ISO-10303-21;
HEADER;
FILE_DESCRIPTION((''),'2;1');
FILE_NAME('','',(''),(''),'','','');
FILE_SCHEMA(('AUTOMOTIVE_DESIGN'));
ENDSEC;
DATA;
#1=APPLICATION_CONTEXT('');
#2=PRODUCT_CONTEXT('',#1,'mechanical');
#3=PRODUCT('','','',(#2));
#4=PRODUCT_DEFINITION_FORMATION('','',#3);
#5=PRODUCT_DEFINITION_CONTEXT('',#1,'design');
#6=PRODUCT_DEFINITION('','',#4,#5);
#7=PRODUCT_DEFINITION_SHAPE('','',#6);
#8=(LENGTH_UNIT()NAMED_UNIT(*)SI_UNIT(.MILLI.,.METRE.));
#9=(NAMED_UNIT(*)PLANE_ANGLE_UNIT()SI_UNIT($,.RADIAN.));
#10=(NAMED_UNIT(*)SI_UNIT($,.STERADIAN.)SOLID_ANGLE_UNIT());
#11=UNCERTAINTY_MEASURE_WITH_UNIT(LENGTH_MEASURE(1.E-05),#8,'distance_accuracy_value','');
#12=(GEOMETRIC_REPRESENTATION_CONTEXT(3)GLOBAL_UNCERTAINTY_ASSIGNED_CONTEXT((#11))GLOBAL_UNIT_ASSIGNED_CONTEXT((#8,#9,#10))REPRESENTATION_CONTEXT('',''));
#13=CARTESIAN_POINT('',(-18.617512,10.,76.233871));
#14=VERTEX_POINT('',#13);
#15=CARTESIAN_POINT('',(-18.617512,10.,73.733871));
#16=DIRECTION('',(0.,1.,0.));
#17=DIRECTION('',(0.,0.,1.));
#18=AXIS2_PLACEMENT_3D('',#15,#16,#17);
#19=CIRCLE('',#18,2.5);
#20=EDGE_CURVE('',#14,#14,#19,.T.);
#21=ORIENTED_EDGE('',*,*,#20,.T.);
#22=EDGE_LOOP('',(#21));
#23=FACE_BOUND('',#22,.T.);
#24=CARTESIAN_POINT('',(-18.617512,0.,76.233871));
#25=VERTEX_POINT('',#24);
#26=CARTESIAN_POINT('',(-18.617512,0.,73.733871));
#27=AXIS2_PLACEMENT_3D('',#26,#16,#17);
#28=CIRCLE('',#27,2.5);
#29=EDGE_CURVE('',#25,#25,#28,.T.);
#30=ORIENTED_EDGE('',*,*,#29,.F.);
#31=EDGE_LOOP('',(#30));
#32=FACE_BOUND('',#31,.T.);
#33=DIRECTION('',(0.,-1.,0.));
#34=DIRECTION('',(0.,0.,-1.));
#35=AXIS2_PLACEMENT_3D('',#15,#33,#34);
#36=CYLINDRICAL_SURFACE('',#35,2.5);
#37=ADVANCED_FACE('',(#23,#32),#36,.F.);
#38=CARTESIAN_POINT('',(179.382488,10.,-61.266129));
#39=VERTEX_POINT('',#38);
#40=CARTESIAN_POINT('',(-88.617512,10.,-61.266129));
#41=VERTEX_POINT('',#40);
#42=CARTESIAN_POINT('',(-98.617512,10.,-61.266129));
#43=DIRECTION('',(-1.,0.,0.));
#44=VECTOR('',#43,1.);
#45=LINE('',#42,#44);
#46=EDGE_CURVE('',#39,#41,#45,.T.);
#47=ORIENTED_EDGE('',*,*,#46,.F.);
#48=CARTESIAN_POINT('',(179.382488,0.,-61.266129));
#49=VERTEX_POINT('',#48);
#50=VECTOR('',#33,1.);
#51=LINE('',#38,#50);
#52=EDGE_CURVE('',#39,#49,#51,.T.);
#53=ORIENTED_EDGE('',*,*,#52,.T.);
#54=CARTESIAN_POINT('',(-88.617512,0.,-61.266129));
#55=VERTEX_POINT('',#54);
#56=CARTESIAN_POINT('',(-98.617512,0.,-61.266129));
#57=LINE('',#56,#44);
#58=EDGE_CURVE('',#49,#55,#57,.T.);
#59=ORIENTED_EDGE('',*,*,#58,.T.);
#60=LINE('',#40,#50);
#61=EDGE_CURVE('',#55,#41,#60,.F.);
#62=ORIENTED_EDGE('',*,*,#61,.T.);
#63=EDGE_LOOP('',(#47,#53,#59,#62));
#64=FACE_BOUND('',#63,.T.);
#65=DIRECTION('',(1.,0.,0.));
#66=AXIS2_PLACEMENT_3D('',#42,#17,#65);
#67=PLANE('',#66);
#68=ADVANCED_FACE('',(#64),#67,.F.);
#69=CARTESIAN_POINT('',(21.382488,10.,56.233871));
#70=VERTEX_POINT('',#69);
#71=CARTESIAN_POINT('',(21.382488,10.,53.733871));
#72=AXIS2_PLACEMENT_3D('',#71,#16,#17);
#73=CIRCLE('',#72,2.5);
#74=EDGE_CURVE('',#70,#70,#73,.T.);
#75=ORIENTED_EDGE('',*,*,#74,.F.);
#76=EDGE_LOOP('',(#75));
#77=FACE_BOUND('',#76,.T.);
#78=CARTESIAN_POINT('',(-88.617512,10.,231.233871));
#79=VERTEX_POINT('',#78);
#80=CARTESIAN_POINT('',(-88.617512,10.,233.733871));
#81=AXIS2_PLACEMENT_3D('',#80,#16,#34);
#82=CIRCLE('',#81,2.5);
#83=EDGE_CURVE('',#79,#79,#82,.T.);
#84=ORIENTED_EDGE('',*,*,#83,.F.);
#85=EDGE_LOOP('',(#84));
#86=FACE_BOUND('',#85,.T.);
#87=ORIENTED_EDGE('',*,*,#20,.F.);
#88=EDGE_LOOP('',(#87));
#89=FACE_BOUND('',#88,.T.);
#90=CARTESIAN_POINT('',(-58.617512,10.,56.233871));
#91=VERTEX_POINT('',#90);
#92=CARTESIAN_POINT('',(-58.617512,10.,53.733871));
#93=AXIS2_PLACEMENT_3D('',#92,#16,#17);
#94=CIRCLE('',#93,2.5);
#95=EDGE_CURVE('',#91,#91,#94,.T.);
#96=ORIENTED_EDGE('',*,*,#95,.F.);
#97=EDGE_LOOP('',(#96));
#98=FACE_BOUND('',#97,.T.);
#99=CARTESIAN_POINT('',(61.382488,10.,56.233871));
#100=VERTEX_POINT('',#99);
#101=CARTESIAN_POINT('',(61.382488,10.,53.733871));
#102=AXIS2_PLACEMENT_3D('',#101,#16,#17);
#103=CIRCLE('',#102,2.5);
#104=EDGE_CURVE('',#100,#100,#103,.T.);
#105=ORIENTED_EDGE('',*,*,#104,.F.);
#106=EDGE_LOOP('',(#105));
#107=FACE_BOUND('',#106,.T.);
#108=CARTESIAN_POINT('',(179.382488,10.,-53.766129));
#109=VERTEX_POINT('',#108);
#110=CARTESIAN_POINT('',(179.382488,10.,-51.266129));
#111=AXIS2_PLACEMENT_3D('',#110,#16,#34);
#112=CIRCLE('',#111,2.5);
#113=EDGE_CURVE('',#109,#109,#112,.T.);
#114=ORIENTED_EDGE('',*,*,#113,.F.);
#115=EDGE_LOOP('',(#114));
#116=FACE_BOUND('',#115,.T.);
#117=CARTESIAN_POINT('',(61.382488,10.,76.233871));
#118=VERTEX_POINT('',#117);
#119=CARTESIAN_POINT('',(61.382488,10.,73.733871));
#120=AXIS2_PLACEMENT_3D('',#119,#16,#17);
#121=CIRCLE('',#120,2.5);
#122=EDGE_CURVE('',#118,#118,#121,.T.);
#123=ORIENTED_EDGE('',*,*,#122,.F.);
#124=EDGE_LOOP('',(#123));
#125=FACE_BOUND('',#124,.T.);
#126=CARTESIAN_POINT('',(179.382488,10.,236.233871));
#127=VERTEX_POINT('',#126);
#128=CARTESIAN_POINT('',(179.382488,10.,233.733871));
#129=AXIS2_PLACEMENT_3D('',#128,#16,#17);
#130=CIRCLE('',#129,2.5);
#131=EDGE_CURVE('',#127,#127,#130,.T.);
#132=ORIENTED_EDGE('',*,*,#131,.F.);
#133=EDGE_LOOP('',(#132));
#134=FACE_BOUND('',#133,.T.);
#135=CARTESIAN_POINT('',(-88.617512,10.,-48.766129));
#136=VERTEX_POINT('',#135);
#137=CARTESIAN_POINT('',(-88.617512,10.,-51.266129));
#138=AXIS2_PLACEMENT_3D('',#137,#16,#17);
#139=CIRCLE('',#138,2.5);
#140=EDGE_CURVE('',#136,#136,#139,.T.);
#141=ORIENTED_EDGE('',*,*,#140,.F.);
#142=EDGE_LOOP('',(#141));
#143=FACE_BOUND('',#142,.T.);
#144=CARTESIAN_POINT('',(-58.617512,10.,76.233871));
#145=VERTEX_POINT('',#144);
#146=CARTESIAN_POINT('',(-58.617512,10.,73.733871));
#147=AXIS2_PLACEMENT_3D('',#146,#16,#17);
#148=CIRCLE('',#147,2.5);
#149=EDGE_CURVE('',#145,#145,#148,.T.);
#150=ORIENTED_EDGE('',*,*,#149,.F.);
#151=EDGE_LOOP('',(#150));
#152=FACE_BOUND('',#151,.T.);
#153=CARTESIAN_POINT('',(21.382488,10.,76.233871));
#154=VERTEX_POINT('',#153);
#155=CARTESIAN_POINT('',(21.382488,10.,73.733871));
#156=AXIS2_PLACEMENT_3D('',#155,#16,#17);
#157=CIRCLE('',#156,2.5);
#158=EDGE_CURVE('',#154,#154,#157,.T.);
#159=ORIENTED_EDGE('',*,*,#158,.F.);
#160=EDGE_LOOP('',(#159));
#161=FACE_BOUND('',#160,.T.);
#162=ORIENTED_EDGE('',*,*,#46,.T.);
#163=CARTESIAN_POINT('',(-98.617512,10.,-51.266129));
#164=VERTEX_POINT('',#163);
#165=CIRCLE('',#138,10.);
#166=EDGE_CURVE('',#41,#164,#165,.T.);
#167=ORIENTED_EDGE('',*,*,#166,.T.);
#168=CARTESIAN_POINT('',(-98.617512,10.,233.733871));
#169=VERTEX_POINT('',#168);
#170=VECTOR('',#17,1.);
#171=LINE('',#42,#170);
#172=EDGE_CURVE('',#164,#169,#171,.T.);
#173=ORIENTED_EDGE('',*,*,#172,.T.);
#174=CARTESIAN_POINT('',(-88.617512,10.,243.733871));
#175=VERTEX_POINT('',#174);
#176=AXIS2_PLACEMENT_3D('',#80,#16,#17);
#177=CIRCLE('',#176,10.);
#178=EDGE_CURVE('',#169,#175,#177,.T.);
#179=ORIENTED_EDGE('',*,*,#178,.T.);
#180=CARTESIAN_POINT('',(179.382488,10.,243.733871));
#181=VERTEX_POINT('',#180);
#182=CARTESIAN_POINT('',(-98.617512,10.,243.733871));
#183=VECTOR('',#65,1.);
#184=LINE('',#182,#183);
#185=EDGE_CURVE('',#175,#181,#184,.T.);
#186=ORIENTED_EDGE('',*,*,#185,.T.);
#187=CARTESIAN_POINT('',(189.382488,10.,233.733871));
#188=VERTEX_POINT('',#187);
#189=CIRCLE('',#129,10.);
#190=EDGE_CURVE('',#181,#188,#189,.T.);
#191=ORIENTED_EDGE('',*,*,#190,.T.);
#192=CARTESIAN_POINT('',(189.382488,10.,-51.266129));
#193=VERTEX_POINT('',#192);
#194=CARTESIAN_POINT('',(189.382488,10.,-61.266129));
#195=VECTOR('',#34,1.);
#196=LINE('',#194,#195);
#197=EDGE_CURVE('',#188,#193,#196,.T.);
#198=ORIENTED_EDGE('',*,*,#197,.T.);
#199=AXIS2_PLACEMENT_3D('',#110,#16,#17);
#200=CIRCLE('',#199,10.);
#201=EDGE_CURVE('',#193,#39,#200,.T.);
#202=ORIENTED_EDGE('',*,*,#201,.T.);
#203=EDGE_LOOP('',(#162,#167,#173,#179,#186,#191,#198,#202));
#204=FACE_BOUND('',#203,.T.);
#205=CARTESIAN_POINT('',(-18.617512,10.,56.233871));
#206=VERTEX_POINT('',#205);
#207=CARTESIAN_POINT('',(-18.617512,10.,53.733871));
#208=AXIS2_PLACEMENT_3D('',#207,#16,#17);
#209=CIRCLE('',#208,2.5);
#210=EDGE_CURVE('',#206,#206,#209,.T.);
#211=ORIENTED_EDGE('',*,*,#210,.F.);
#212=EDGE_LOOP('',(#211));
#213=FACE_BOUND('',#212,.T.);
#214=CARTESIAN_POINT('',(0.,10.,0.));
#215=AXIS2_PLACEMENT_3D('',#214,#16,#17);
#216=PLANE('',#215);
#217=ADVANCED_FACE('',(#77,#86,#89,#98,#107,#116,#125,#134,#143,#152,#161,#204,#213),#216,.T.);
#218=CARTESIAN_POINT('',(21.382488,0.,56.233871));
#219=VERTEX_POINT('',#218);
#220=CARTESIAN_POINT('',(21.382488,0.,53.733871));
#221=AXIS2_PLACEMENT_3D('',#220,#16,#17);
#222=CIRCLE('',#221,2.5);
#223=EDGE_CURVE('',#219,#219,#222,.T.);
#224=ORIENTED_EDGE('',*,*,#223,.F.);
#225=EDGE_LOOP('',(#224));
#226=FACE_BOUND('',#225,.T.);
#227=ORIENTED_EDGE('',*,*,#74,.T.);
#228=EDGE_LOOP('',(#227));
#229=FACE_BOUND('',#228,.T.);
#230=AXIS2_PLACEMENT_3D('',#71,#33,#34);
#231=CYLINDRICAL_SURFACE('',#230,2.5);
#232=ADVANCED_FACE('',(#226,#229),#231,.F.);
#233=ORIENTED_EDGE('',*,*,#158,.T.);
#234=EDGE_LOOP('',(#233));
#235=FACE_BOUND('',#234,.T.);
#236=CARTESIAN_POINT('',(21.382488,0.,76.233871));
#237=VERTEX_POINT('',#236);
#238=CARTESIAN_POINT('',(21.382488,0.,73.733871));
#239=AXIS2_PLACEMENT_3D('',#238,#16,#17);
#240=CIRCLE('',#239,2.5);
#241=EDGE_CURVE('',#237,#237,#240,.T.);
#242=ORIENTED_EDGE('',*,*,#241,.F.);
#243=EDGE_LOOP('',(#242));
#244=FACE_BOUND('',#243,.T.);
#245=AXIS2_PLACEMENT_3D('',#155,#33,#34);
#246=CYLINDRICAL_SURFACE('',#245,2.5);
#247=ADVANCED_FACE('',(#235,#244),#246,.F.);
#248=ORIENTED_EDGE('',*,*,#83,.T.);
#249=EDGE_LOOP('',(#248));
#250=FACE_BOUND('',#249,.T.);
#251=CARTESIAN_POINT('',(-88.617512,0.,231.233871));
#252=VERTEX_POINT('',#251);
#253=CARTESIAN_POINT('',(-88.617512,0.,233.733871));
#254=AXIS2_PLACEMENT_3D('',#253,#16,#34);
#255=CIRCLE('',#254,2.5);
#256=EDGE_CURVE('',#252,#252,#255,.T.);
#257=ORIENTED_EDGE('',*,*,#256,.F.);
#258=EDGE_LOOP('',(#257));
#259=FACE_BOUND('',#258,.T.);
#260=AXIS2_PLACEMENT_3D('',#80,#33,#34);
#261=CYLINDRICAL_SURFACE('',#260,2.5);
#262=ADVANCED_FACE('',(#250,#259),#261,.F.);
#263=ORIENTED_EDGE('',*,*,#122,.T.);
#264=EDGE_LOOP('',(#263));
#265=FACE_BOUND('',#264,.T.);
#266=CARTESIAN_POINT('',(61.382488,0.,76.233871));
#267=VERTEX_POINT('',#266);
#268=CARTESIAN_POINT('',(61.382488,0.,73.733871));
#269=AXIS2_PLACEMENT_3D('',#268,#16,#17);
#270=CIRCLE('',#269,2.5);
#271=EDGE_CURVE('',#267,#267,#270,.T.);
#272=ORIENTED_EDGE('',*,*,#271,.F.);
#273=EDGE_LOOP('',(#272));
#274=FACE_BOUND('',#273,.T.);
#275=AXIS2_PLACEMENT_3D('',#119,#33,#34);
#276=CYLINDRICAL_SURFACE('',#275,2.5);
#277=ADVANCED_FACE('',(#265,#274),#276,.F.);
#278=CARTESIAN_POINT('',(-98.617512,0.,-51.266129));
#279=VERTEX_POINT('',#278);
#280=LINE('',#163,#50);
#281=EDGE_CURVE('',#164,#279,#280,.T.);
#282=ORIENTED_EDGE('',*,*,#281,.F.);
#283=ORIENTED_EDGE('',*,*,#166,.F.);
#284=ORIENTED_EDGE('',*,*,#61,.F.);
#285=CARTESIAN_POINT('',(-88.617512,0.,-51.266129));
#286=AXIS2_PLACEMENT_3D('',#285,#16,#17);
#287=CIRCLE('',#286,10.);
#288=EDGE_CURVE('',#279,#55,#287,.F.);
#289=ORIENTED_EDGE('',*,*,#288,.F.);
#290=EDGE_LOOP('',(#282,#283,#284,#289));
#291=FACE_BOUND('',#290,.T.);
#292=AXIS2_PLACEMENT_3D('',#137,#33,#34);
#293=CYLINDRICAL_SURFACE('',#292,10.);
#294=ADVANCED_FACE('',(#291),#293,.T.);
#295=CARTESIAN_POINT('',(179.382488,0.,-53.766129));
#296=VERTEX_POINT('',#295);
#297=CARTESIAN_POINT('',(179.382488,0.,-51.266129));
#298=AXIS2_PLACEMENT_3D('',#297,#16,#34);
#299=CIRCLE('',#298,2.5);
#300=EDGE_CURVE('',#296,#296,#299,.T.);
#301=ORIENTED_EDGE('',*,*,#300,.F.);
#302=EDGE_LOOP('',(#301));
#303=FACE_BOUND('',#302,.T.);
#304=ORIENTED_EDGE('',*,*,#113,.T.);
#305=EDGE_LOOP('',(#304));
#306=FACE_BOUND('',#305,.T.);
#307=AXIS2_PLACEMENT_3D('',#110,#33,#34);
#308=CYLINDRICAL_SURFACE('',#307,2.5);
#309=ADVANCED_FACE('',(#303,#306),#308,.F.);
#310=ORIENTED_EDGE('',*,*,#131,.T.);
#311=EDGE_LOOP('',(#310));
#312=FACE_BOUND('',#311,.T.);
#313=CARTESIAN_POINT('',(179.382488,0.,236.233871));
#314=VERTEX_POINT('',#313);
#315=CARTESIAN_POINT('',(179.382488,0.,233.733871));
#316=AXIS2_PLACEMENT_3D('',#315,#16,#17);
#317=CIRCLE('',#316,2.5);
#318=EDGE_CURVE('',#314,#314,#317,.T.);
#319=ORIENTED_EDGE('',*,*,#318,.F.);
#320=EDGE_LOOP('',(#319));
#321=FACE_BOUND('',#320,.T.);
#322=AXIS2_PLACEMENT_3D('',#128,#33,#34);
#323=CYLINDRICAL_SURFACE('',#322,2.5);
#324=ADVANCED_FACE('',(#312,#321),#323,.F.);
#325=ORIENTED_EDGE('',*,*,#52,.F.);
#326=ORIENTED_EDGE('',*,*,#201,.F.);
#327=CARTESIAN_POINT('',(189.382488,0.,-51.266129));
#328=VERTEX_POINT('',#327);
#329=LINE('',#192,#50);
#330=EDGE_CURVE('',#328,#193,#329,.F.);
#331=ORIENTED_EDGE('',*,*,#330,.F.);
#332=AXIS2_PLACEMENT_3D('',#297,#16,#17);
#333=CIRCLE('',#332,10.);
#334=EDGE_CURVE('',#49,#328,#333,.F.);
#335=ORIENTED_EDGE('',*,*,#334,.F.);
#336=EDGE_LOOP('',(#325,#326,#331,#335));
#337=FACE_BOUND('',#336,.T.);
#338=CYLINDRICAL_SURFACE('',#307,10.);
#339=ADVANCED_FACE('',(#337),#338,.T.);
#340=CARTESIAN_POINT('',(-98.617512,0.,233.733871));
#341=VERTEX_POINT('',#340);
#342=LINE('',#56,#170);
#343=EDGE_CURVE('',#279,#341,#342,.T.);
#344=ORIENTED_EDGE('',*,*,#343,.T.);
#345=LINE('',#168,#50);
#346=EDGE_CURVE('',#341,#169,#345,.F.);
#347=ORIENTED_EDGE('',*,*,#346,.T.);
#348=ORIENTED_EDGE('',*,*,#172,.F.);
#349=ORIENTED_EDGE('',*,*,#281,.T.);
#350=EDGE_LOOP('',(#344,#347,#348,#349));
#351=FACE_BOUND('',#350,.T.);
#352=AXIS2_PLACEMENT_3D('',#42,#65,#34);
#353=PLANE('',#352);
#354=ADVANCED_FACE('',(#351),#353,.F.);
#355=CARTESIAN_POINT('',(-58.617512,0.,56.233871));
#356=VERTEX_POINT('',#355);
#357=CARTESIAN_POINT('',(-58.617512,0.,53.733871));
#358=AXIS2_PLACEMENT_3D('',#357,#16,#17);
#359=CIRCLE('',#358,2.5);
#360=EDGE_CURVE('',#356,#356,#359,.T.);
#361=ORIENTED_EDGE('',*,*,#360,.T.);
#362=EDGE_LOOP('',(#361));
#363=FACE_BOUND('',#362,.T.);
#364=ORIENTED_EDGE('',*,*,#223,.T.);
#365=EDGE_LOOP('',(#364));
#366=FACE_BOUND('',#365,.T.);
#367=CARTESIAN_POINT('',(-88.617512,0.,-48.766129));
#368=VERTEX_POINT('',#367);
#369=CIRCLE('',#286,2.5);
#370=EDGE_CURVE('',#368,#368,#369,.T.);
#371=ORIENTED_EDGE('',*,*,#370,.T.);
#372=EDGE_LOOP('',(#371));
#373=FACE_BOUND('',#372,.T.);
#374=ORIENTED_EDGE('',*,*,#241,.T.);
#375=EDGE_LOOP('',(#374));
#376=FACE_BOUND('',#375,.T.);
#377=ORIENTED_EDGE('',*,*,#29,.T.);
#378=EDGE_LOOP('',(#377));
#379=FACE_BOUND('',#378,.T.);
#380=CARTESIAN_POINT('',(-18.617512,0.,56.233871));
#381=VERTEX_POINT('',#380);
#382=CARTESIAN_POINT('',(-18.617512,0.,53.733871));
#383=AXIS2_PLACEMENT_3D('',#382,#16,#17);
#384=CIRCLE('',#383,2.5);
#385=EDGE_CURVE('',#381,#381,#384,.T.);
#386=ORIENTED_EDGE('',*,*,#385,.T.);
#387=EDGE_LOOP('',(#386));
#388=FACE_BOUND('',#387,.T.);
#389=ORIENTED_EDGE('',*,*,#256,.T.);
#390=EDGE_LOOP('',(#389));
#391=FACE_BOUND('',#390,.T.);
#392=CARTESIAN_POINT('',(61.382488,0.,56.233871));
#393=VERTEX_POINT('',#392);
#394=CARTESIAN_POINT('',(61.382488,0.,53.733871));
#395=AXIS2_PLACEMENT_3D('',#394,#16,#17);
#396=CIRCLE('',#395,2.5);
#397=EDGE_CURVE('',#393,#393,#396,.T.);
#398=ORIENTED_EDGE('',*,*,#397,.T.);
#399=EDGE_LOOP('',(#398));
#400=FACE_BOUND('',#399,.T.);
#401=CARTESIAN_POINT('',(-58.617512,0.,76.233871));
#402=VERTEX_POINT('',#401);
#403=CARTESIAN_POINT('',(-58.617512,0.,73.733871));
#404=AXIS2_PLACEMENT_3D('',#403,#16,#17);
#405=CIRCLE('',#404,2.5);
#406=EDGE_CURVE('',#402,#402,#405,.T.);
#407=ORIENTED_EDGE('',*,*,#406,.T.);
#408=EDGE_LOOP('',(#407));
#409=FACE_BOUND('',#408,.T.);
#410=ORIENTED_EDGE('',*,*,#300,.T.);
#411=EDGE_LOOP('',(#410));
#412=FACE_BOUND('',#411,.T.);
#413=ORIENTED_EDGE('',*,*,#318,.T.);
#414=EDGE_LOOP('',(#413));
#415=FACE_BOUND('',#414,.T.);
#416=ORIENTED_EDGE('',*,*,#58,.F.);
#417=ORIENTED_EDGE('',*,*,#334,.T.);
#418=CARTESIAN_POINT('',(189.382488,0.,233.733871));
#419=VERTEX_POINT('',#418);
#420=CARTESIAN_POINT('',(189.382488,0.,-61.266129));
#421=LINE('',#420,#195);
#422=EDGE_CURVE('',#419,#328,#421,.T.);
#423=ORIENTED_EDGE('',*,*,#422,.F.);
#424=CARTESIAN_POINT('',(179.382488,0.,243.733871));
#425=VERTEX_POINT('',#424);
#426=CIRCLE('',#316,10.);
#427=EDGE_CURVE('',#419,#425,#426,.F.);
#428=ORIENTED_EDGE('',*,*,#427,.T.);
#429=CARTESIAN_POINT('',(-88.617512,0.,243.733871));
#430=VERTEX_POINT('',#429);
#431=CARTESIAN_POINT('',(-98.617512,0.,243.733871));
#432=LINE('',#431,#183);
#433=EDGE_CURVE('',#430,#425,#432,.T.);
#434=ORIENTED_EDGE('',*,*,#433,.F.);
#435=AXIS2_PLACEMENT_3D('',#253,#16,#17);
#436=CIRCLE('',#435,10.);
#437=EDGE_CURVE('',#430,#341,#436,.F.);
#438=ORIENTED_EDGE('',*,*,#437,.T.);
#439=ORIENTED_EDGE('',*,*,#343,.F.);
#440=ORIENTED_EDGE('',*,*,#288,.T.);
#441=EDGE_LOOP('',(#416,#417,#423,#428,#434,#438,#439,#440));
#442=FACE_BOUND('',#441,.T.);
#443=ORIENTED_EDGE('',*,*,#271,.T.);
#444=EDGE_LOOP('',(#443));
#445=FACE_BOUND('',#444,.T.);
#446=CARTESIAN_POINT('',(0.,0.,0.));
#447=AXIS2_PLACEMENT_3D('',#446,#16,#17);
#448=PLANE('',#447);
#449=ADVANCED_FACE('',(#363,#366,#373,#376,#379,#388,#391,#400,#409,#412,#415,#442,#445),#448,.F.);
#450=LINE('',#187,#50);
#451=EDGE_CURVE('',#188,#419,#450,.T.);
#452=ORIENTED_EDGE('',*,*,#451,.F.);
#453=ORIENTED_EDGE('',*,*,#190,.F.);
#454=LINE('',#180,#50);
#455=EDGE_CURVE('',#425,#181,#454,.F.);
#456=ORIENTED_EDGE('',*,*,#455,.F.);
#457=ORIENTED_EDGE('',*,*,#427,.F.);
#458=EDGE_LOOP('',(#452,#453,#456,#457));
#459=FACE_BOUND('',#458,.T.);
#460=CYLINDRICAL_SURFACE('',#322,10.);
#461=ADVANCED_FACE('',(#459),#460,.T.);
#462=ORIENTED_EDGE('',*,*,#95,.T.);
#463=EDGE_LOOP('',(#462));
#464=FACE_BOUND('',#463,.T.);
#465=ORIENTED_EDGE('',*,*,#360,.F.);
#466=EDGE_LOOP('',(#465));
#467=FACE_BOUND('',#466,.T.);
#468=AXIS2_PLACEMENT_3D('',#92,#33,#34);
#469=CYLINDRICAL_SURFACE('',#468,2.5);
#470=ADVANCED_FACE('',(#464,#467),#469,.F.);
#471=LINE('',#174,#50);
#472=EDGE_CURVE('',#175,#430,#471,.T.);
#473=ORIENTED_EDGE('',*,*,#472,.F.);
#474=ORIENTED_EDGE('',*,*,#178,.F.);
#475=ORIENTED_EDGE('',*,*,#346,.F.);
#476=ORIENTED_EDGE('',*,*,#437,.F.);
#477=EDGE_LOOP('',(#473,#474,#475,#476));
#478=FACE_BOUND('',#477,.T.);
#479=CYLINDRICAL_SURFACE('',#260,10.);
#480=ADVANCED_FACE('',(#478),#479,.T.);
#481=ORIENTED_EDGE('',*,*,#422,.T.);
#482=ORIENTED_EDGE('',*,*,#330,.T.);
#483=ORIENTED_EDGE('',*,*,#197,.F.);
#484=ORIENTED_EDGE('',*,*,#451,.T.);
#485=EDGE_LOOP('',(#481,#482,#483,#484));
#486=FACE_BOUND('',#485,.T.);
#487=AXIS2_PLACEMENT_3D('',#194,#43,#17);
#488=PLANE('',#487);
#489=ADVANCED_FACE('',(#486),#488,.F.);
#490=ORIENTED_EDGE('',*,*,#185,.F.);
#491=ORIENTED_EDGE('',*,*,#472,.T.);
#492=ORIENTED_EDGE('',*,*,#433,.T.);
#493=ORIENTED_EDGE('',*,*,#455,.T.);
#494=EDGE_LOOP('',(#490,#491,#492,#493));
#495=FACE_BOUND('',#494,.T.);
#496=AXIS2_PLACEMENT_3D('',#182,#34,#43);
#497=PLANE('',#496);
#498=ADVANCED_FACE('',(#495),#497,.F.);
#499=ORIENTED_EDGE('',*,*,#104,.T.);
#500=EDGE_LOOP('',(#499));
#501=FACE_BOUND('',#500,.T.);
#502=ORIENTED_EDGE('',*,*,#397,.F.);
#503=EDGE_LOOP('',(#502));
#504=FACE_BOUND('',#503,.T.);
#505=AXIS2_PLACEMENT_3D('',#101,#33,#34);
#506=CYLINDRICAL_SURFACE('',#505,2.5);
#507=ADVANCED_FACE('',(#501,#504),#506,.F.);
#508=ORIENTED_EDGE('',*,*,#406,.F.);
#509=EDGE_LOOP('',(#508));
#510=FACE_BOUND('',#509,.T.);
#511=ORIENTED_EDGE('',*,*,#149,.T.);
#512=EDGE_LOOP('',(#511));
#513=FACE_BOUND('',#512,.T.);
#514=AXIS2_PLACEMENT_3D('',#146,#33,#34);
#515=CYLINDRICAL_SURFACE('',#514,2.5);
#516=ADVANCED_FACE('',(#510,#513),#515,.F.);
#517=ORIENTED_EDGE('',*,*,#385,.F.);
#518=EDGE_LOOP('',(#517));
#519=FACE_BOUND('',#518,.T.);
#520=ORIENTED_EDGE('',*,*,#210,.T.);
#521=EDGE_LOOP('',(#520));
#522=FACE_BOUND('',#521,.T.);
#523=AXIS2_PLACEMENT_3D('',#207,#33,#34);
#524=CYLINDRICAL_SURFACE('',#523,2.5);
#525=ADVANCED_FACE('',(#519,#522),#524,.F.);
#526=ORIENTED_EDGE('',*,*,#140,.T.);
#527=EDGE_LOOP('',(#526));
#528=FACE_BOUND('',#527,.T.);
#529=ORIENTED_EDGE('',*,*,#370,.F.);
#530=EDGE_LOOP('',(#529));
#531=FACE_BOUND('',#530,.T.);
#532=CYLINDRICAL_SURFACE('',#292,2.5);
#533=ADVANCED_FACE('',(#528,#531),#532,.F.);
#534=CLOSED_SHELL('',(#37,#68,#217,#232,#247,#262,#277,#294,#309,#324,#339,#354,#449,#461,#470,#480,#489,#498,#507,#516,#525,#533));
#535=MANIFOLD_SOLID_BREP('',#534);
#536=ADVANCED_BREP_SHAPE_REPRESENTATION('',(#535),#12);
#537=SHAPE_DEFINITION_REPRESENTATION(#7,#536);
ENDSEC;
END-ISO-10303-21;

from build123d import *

# Parameters (mm, degrees)
SKETCH1_W           = 288
SKETCH1_H           = 305
SKETCH1_R           = 2.5
BOSS_EXTRUDE1_DEPTH = 10
FILLET1_R           = 10


with BuildPart() as part:
    # Sketch1 → Boss-Extrude1 (new body)
    with BuildSketch(Plane(origin=(0, 0, 0), x_dir=(1, 0, 0), z_dir=(0, 1, 0))):
        with Locations((45.382488479, -91.233870968)):
            Rectangle(SKETCH1_W, SKETCH1_H)
        with Locations(Location((-58.617511521, -53.733870968, 0), (0, 0, 270))):
            Circle(SKETCH1_R, mode=Mode.SUBTRACT)
        with Locations(Location((-18.617511521, -53.733870968, 0), (0, 0, 270))):
            Circle(SKETCH1_R, mode=Mode.SUBTRACT)
        with Locations(Location((21.382488479, -53.733870968, 0), (0, 0, 270))):
            Circle(SKETCH1_R, mode=Mode.SUBTRACT)
        with Locations(Location((61.382488479, -53.733870968, 0), (0, 0, 270))):
            Circle(SKETCH1_R, mode=Mode.SUBTRACT)
        with Locations(Location((-18.617511521, -73.733870968, 0), (0, 0, 270))):
            Circle(SKETCH1_R, mode=Mode.SUBTRACT)
        with Locations(Location((21.382488479, -73.733870968, 0), (0, 0, 270))):
            Circle(SKETCH1_R, mode=Mode.SUBTRACT)
        with Locations(Location((61.382488479, -73.733870968, 0), (0, 0, 270))):
            Circle(SKETCH1_R, mode=Mode.SUBTRACT)
        with Locations(Location((-58.617511521, -73.733870968, 0), (0, 0, 270))):
            Circle(SKETCH1_R, mode=Mode.SUBTRACT)
        with Locations(Location((-88.617511521, 51.266129032, 0), (0, 0, 270))):
            Circle(SKETCH1_R, mode=Mode.SUBTRACT)
        with Locations(Location((179.382488479, 51.266129032, 0), (0, 0, 90))):
            Circle(SKETCH1_R, mode=Mode.SUBTRACT)
        with Locations(Location((179.382488479, -233.733870968, 0), (0, 0, 270))):
            Circle(SKETCH1_R, mode=Mode.SUBTRACT)
        with Locations(Location((-88.617511521, -233.733870968, 0), (0, 0, 90))):
            Circle(SKETCH1_R, mode=Mode.SUBTRACT)
    extrude(amount=BOSS_EXTRUDE1_DEPTH)

    # Fillet1
    fillet1_edges = [part.edges().sort_by_distance(p)[0] for p in [
        (-98.617511521, 5, -61.266129032),
        (189.382488479, 5, -61.266129032),
        (189.382488479, 5, 243.733870968),
        (-98.617511521, 5, 243.733870968),
    ]]
    fillet(fillet1_edges, radius=FILLET1_R)


solid = part.part
